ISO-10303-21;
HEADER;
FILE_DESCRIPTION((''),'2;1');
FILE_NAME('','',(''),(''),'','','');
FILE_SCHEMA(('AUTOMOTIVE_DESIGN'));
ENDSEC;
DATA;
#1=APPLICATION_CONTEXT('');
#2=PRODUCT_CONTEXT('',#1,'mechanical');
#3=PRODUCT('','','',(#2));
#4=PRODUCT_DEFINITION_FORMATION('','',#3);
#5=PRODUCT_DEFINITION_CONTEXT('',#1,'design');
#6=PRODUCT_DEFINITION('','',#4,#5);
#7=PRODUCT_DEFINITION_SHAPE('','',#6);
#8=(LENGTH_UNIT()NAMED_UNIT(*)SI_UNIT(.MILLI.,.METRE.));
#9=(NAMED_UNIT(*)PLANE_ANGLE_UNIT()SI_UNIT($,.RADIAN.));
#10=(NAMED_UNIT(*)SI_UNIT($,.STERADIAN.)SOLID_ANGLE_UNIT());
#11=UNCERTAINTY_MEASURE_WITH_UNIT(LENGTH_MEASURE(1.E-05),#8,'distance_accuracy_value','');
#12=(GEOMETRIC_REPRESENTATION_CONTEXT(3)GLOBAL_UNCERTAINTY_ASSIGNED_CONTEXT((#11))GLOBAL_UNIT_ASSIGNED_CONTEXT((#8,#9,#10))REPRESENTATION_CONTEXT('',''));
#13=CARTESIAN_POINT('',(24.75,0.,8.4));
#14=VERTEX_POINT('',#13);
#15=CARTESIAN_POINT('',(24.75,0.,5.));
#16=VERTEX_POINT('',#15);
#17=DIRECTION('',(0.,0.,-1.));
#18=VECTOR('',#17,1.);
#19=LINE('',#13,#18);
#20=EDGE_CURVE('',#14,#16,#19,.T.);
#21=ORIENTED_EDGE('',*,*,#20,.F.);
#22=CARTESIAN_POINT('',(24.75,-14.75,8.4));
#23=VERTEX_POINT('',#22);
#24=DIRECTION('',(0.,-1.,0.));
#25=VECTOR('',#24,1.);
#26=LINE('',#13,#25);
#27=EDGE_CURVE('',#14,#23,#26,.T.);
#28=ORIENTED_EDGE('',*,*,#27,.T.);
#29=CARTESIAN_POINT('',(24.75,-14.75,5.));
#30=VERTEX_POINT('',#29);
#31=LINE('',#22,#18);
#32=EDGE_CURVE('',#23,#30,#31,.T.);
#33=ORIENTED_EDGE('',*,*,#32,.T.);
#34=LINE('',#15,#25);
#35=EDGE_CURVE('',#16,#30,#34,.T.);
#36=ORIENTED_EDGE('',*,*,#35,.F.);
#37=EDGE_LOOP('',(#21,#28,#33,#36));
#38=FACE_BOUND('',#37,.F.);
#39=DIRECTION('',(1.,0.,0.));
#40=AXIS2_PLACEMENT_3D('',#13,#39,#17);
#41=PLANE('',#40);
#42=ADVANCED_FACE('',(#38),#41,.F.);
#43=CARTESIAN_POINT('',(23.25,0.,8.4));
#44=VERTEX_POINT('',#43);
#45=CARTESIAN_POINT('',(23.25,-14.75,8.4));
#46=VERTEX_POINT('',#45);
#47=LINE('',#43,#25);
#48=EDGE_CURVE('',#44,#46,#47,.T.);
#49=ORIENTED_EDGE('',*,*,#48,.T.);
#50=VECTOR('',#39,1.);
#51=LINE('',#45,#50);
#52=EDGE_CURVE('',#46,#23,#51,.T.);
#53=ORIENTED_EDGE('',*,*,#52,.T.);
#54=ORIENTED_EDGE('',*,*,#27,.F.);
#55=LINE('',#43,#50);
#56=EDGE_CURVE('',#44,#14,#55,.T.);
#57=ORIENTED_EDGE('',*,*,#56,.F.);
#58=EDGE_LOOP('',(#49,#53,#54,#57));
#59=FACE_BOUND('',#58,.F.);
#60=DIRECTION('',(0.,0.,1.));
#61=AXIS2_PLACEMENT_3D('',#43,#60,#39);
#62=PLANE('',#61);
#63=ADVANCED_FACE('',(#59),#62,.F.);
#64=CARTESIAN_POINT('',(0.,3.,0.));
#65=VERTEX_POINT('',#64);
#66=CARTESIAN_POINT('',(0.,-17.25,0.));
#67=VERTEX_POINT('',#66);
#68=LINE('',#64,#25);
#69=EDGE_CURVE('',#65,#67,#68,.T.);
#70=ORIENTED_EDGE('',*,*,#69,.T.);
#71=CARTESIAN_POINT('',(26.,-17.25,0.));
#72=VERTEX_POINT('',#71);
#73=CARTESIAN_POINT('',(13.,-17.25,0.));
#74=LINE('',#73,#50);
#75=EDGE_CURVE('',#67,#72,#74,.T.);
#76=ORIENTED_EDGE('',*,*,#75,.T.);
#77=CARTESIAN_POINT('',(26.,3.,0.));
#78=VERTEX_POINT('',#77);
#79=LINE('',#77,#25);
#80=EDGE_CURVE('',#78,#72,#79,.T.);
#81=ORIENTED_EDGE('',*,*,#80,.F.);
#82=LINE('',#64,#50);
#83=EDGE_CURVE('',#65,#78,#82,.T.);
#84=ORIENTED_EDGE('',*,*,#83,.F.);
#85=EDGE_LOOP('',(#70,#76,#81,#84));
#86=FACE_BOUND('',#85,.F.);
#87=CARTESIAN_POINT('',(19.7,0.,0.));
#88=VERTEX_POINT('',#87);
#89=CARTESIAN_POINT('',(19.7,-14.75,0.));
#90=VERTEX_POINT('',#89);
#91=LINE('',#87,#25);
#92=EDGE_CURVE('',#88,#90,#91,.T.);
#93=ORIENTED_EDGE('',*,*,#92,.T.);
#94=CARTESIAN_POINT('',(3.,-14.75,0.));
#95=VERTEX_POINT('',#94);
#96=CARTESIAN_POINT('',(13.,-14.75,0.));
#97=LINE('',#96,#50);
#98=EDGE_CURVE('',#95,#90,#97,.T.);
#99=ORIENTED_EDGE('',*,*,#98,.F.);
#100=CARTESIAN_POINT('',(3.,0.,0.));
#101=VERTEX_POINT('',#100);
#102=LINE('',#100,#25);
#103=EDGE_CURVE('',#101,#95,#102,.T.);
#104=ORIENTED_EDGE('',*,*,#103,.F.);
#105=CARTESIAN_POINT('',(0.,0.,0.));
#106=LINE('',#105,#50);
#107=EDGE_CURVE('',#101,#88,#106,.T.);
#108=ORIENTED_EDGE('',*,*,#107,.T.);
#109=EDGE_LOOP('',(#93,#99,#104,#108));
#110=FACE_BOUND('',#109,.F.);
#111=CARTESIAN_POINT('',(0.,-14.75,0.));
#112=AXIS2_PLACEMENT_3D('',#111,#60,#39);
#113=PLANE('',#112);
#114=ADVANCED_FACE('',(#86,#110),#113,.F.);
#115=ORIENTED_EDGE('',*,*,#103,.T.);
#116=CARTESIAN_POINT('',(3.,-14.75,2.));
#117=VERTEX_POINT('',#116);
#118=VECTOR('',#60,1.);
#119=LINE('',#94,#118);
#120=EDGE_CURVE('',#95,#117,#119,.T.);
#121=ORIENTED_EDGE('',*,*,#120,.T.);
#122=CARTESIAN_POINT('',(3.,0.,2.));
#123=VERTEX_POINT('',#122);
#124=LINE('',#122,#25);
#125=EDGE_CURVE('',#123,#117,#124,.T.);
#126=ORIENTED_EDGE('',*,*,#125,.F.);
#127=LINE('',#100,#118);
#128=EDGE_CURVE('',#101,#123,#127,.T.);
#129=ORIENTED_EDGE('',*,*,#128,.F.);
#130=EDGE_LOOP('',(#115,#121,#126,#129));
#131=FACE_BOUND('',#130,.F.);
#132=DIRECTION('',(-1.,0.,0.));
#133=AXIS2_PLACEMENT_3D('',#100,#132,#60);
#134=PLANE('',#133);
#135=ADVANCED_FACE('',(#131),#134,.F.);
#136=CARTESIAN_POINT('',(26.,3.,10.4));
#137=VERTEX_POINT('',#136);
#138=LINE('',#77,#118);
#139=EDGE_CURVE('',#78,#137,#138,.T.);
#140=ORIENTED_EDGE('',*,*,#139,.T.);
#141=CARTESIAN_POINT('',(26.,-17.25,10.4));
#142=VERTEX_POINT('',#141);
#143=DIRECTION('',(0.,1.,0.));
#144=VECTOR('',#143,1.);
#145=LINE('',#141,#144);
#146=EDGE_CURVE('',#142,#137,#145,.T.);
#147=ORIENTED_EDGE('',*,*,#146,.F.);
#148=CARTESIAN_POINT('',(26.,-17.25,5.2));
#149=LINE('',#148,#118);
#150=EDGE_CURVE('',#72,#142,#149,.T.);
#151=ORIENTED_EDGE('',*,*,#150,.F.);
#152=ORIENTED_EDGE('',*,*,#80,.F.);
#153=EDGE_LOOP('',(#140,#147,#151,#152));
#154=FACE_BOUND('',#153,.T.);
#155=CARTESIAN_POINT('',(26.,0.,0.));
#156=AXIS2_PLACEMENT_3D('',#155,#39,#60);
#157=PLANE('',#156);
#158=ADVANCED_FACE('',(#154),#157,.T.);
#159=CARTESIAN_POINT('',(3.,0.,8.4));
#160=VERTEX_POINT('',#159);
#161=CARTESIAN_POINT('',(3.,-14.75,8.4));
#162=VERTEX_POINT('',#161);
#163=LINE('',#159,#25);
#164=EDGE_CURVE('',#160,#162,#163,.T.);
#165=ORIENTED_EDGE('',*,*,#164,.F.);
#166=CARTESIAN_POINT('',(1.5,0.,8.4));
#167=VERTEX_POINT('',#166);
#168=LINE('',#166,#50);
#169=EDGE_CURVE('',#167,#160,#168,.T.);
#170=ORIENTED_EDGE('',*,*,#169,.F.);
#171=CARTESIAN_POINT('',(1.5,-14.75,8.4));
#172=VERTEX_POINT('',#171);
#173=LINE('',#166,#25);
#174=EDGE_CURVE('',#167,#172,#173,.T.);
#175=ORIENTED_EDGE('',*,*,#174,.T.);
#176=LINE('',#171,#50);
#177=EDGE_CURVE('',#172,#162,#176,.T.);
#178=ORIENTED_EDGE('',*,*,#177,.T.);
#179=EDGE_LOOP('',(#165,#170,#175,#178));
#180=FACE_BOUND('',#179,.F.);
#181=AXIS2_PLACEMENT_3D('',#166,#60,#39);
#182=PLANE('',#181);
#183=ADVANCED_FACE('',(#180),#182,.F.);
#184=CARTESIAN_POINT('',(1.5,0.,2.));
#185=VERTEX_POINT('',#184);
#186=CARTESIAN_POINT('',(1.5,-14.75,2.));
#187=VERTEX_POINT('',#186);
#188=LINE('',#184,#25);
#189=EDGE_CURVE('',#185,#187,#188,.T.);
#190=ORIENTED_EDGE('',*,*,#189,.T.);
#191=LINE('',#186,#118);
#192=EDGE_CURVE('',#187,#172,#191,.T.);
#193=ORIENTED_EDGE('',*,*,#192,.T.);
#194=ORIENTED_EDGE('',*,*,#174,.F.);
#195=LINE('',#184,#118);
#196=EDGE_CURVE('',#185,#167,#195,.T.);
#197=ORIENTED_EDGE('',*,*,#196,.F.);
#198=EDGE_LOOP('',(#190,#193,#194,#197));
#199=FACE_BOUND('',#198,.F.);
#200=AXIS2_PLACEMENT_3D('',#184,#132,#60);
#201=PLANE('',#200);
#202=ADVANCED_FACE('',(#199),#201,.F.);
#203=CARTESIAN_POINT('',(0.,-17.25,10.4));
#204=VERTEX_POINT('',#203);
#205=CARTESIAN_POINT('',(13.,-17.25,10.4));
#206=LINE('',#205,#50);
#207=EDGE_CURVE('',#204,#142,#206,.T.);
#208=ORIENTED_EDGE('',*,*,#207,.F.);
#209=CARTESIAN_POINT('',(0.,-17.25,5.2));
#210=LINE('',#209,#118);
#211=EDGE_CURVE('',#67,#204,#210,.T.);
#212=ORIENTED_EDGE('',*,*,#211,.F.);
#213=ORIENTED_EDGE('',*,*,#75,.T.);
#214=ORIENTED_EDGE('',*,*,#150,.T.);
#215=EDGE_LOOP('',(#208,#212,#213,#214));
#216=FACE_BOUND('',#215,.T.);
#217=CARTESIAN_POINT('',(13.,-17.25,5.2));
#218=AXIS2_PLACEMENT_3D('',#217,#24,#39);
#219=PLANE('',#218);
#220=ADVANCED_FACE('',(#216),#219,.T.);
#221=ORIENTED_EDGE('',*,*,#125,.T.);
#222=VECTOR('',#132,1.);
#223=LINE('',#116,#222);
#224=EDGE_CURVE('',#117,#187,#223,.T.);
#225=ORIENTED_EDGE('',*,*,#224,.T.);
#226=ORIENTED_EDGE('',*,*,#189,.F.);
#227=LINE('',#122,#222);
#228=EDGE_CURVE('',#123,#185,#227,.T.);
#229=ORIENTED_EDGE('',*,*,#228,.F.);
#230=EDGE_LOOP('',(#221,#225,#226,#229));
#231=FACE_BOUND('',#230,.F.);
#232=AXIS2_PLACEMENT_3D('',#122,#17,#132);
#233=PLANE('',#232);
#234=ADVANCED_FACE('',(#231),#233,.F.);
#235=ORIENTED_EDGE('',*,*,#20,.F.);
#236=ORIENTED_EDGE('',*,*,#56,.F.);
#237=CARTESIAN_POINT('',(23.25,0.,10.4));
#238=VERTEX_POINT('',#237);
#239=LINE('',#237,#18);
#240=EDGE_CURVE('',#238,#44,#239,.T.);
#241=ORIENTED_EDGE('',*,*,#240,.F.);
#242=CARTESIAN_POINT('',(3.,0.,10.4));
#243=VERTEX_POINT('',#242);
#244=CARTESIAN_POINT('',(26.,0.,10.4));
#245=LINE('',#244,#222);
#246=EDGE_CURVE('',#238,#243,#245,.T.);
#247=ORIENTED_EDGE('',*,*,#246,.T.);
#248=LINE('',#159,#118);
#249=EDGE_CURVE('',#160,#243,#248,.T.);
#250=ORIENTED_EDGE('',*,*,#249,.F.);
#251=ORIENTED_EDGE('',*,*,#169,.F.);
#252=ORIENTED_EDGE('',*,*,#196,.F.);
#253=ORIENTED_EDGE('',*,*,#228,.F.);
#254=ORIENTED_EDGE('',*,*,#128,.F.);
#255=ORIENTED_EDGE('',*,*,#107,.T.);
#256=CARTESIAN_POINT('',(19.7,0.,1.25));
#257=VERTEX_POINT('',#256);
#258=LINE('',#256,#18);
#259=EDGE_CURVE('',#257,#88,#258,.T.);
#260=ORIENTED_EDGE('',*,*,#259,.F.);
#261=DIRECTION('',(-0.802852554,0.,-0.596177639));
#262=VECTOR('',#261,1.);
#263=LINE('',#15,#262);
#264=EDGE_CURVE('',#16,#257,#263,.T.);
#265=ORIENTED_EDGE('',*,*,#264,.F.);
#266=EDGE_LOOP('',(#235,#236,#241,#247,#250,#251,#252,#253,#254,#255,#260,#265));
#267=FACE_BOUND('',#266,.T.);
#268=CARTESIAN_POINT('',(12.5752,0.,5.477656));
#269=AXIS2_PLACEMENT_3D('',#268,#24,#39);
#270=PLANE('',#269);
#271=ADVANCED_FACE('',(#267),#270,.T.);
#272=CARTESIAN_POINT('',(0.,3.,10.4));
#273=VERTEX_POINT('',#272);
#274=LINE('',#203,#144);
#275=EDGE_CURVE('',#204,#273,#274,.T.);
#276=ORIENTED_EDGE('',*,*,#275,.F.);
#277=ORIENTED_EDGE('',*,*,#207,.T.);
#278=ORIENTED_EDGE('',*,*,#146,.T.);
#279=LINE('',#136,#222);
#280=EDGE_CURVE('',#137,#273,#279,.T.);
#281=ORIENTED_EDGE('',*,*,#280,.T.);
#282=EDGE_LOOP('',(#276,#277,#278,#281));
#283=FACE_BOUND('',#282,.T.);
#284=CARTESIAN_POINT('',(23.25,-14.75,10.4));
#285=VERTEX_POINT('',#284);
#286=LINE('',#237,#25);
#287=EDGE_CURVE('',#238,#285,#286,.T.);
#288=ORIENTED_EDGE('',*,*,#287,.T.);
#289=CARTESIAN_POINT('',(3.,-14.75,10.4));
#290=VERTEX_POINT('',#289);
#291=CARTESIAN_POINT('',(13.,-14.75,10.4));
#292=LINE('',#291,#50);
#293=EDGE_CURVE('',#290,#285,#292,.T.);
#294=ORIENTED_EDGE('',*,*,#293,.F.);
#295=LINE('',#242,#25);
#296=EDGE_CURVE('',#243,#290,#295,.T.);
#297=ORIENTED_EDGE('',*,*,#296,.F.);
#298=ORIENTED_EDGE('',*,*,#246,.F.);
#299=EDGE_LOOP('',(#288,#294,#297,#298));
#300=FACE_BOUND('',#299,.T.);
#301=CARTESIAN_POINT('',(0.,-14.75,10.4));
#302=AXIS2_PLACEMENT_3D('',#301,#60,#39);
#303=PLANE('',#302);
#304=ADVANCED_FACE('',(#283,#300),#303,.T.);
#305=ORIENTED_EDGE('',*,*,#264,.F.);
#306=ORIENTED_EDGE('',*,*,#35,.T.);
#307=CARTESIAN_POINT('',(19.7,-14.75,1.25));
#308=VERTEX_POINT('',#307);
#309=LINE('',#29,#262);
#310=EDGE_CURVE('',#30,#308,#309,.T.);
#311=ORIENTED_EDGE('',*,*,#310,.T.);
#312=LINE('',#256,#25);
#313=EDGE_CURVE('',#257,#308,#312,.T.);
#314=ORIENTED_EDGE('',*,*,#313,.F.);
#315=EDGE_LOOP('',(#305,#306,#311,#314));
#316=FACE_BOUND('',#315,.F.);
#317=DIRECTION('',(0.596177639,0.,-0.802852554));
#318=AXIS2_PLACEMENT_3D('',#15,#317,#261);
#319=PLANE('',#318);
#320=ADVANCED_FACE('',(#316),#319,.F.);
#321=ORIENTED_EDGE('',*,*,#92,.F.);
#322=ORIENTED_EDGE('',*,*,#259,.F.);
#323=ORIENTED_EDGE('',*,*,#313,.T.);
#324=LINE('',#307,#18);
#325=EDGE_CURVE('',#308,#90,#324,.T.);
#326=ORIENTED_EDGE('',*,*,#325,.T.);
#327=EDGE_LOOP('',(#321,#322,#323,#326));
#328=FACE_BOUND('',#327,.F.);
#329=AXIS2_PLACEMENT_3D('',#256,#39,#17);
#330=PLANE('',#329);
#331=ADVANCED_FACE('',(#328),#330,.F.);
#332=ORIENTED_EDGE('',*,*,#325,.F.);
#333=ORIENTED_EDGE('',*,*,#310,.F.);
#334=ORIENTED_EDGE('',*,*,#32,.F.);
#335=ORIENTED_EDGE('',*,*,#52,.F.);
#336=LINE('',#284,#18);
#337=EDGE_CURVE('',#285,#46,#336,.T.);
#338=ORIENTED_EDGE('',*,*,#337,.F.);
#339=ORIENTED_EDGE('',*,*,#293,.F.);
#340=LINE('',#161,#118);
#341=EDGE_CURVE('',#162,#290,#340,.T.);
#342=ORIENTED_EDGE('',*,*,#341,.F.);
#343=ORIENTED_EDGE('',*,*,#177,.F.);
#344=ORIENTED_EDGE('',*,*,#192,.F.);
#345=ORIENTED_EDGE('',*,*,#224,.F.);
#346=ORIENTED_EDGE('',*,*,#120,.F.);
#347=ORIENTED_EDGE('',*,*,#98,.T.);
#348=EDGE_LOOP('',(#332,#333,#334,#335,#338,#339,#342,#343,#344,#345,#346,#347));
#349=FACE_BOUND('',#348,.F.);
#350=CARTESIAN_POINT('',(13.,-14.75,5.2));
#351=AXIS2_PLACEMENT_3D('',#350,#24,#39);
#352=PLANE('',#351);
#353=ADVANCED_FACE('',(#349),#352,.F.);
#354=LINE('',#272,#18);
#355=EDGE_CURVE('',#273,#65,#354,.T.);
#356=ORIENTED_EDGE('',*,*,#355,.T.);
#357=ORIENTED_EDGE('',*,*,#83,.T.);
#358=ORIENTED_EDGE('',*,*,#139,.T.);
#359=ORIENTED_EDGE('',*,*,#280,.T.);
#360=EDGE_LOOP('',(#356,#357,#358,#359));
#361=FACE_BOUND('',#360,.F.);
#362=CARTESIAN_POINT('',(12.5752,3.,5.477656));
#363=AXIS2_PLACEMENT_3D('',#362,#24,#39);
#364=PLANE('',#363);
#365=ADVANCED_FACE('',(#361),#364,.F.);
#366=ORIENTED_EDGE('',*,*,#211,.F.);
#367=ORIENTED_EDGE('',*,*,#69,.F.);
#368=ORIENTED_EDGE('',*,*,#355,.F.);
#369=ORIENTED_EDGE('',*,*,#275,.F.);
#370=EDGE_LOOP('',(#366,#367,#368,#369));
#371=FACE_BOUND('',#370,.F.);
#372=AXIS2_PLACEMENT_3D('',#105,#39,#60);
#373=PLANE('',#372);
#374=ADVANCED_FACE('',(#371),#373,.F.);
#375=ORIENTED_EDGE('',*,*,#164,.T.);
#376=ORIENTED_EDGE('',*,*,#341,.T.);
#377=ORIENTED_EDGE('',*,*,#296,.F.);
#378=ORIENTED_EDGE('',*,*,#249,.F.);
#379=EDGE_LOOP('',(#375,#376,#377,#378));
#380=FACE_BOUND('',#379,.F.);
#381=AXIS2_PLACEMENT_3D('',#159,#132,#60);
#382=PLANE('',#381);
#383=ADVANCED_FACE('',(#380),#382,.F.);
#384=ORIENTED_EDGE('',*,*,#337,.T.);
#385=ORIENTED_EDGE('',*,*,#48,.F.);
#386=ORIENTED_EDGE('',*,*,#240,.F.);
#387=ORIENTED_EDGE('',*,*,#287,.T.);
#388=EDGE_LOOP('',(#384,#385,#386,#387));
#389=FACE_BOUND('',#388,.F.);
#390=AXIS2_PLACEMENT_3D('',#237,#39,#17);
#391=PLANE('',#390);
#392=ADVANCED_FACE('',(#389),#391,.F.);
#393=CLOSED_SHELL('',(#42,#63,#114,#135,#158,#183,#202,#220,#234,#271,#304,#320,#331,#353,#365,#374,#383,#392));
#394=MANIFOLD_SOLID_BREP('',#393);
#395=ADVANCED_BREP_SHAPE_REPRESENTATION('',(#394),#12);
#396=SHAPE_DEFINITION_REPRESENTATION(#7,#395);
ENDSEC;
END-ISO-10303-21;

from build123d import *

# Parameters (mm, degrees)
F1_DEPTH = 14.75
F2_DEPTH = 3
F3_W     = 26
F3_H     = 10.4
F4_DEPTH = 2.5
F5_W     = 26
F5_H     = 10.4
F6_DEPTH = 2.5


with BuildPart() as f1:
    # F0 (on Front) → F1 (new body)
    with BuildSketch(Plane.XZ):
        Polygon((3, 10.4), (0, 10.4), (0, 0), (3, 0), (3, 2), (1.5, 2), (1.5, 8.4), (3, 8.4), align=None)
    extrude(amount=F1_DEPTH)



with BuildPart() as f1b:
    # F0 (on Front) → F1, piece 2 (new body)
    with BuildSketch(Plane.XZ):
        Polygon((26, 10.4), (23.25, 10.4), (23.25, 8.4), (24.75, 8.4), (24.75, 5), (19.7, 1.25), (19.7, 0), (26, 0), align=None)
    extrude(amount=F1_DEPTH)


with BuildPart() as f1_1:
    add(f1.part)

    add(f1b.part)  # F2 merges F1b
    # F0 (on Front) → F2 (join)
    with BuildSketch(Plane.XZ):
        Polygon((23.25, 10.4), (3, 10.4), (3, 8.4), (1.5, 8.4), (1.5, 2), (3, 2), (3, 0), (19.7, 0), (19.7, 1.25), (24.75, 5), (24.75, 8.4), (23.25, 8.4), align=None)
        Polygon((26, 10.4), (23.25, 10.4), (23.25, 8.4), (24.75, 8.4), (24.75, 5), (19.7, 1.25), (19.7, 0), (26, 0), align=None)
        Polygon((3, 10.4), (0, 10.4), (0, 0), (3, 0), (3, 2), (1.5, 2), (1.5, 8.4), (3, 8.4), align=None)
    extrude(amount=-F2_DEPTH)

    # F3 (on face) → F4 (join)
    with BuildSketch(Plane.XZ.offset(14.75)):
        with Locations((13, 5.2)):
            Rectangle(F3_W, F3_H)
    extrude(amount=F4_DEPTH)

    # F5 (on Front) → F6 (join)
    with BuildSketch(Plane.XZ):
        with Locations((13, 5.2)):
            Rectangle(F5_W, F5_H)
    extrude(amount=-F6_DEPTH)


solid = f1_1.part
